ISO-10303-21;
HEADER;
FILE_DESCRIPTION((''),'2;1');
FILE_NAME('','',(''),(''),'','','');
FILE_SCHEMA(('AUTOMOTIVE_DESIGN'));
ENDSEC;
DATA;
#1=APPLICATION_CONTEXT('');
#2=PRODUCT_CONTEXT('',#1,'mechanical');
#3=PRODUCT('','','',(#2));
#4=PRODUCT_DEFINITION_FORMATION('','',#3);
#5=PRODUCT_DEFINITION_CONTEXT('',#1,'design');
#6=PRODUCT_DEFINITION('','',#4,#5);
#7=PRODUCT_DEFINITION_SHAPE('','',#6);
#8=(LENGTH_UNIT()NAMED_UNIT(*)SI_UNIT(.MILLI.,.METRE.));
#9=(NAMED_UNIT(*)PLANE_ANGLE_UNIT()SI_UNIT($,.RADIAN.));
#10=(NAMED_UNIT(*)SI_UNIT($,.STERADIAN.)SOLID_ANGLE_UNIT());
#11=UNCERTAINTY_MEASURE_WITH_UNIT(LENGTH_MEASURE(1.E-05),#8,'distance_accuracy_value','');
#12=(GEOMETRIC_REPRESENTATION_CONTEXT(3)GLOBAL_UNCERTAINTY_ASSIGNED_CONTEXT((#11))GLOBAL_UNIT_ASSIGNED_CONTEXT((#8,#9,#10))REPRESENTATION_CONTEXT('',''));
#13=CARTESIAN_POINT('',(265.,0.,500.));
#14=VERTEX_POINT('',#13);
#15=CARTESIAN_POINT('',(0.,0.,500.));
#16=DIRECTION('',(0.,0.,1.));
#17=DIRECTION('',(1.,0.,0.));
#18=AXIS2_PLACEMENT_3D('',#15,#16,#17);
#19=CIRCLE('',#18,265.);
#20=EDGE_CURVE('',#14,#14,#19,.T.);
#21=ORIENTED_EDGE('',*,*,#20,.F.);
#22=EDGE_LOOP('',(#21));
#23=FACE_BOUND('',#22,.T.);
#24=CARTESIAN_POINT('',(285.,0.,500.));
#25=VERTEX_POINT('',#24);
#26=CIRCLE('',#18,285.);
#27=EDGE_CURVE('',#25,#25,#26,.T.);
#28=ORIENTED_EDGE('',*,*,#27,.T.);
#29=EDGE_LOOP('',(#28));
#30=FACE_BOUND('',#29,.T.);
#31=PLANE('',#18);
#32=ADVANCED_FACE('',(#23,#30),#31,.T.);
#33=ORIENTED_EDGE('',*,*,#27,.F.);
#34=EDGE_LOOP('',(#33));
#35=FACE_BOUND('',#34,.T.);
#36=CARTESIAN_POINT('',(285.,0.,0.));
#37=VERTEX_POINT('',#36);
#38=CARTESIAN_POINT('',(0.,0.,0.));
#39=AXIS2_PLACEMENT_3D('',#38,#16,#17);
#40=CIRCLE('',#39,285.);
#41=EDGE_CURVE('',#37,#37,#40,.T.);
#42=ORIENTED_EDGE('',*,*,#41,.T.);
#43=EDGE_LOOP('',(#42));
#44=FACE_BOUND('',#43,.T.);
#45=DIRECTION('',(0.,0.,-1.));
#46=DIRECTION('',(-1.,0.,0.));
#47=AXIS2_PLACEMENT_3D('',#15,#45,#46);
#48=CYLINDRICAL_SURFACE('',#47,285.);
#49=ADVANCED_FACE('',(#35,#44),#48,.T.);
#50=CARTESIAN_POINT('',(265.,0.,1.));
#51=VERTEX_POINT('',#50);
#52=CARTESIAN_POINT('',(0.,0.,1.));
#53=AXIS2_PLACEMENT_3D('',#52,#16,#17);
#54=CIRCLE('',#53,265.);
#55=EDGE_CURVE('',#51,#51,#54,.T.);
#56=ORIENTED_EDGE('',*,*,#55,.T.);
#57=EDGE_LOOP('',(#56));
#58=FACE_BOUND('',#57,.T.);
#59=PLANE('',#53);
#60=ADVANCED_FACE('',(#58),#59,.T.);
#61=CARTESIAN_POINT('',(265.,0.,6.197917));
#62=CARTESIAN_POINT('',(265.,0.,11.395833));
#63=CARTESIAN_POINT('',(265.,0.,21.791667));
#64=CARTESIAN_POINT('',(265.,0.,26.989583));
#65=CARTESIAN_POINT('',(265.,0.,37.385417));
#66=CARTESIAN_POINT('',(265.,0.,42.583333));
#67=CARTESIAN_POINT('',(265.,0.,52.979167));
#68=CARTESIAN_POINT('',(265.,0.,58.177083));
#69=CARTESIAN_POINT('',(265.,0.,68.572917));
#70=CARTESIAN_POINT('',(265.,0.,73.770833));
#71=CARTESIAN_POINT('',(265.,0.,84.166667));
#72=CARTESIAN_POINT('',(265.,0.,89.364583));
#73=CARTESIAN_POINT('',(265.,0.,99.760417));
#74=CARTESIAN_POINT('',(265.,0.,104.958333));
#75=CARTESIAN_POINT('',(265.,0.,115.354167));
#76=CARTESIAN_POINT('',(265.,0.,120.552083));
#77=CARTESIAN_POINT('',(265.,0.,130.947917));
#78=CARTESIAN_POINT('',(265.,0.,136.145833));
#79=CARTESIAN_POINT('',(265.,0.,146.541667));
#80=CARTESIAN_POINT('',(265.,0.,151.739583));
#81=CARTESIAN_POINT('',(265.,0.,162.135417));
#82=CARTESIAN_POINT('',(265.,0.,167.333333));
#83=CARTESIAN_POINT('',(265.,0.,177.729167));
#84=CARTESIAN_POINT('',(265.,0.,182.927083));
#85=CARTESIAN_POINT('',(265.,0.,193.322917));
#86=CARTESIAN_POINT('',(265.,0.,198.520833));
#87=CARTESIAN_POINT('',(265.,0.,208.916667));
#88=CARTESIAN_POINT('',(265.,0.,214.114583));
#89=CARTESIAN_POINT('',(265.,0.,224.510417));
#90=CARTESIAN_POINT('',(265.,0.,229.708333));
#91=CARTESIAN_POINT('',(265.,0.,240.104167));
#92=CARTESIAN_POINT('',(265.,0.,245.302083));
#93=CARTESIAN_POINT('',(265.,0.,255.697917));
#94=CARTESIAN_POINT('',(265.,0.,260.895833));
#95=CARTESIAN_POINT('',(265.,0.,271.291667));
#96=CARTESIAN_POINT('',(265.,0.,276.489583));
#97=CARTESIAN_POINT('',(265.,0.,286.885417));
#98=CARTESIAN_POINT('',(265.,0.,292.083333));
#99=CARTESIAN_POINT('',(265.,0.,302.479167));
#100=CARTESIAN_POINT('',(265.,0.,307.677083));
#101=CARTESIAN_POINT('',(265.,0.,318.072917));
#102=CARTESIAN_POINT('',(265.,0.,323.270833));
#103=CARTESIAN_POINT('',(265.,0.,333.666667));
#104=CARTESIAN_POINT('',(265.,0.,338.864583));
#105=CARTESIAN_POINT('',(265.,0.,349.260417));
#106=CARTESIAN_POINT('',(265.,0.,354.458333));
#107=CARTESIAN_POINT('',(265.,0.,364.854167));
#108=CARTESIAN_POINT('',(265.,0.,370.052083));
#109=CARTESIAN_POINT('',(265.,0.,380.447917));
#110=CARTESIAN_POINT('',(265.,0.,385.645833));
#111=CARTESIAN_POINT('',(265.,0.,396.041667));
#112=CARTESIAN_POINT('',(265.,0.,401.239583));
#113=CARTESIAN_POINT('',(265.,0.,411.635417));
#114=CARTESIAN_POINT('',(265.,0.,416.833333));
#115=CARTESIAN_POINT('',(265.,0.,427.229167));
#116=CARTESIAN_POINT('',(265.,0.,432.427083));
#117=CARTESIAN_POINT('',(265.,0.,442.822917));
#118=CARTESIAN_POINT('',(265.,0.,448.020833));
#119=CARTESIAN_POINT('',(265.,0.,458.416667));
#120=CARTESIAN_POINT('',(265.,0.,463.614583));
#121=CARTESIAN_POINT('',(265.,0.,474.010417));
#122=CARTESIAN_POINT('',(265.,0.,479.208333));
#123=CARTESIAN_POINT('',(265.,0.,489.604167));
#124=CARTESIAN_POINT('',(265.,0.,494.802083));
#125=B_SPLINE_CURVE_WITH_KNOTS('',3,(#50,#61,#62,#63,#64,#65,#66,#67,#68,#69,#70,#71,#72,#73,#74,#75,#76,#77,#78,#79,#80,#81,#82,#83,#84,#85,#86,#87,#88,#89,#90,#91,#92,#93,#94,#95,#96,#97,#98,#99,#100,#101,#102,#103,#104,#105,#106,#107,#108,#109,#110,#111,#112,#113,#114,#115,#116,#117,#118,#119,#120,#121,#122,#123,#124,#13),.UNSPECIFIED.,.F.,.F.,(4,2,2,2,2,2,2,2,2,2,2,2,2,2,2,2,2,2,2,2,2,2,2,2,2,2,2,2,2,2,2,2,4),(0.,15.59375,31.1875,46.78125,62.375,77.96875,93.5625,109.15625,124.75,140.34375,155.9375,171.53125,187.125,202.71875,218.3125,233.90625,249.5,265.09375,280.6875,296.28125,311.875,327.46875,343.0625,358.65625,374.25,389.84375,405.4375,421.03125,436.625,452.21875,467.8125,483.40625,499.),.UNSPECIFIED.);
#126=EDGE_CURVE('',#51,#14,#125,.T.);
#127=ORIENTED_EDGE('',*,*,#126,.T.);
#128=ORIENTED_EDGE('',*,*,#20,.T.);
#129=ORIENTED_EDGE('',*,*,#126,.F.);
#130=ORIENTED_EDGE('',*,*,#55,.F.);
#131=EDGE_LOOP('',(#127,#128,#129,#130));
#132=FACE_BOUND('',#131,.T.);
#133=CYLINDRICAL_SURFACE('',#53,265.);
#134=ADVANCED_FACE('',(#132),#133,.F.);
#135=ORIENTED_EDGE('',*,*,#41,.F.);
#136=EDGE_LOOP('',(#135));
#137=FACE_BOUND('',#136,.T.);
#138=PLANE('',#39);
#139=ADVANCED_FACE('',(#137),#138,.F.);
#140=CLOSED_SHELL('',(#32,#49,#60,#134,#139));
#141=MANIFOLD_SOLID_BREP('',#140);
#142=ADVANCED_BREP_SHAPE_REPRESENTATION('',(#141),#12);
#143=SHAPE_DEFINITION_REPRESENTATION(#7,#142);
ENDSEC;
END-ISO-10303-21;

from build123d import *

# Parameters (mm, degrees)
SKETCH1_R           = 285
BOSS_EXTRUDE2_DEPTH = 500
SKETCH2_R           = 265
CUT_EXTRUDE1_DEPTH  = 499


with BuildPart() as part:
    # Sketch1 → Boss-Extrude2 (new body)
    with BuildSketch(Plane.XY):
        Circle(SKETCH1_R)
    extrude(amount=BOSS_EXTRUDE2_DEPTH)

    # Sketch2 → Cut-Extrude1 (cut)
    with BuildSketch(Plane.XY.offset(500)):
        Circle(SKETCH2_R)
    extrude(amount=-CUT_EXTRUDE1_DEPTH, mode=Mode.SUBTRACT)


solid = part.part
